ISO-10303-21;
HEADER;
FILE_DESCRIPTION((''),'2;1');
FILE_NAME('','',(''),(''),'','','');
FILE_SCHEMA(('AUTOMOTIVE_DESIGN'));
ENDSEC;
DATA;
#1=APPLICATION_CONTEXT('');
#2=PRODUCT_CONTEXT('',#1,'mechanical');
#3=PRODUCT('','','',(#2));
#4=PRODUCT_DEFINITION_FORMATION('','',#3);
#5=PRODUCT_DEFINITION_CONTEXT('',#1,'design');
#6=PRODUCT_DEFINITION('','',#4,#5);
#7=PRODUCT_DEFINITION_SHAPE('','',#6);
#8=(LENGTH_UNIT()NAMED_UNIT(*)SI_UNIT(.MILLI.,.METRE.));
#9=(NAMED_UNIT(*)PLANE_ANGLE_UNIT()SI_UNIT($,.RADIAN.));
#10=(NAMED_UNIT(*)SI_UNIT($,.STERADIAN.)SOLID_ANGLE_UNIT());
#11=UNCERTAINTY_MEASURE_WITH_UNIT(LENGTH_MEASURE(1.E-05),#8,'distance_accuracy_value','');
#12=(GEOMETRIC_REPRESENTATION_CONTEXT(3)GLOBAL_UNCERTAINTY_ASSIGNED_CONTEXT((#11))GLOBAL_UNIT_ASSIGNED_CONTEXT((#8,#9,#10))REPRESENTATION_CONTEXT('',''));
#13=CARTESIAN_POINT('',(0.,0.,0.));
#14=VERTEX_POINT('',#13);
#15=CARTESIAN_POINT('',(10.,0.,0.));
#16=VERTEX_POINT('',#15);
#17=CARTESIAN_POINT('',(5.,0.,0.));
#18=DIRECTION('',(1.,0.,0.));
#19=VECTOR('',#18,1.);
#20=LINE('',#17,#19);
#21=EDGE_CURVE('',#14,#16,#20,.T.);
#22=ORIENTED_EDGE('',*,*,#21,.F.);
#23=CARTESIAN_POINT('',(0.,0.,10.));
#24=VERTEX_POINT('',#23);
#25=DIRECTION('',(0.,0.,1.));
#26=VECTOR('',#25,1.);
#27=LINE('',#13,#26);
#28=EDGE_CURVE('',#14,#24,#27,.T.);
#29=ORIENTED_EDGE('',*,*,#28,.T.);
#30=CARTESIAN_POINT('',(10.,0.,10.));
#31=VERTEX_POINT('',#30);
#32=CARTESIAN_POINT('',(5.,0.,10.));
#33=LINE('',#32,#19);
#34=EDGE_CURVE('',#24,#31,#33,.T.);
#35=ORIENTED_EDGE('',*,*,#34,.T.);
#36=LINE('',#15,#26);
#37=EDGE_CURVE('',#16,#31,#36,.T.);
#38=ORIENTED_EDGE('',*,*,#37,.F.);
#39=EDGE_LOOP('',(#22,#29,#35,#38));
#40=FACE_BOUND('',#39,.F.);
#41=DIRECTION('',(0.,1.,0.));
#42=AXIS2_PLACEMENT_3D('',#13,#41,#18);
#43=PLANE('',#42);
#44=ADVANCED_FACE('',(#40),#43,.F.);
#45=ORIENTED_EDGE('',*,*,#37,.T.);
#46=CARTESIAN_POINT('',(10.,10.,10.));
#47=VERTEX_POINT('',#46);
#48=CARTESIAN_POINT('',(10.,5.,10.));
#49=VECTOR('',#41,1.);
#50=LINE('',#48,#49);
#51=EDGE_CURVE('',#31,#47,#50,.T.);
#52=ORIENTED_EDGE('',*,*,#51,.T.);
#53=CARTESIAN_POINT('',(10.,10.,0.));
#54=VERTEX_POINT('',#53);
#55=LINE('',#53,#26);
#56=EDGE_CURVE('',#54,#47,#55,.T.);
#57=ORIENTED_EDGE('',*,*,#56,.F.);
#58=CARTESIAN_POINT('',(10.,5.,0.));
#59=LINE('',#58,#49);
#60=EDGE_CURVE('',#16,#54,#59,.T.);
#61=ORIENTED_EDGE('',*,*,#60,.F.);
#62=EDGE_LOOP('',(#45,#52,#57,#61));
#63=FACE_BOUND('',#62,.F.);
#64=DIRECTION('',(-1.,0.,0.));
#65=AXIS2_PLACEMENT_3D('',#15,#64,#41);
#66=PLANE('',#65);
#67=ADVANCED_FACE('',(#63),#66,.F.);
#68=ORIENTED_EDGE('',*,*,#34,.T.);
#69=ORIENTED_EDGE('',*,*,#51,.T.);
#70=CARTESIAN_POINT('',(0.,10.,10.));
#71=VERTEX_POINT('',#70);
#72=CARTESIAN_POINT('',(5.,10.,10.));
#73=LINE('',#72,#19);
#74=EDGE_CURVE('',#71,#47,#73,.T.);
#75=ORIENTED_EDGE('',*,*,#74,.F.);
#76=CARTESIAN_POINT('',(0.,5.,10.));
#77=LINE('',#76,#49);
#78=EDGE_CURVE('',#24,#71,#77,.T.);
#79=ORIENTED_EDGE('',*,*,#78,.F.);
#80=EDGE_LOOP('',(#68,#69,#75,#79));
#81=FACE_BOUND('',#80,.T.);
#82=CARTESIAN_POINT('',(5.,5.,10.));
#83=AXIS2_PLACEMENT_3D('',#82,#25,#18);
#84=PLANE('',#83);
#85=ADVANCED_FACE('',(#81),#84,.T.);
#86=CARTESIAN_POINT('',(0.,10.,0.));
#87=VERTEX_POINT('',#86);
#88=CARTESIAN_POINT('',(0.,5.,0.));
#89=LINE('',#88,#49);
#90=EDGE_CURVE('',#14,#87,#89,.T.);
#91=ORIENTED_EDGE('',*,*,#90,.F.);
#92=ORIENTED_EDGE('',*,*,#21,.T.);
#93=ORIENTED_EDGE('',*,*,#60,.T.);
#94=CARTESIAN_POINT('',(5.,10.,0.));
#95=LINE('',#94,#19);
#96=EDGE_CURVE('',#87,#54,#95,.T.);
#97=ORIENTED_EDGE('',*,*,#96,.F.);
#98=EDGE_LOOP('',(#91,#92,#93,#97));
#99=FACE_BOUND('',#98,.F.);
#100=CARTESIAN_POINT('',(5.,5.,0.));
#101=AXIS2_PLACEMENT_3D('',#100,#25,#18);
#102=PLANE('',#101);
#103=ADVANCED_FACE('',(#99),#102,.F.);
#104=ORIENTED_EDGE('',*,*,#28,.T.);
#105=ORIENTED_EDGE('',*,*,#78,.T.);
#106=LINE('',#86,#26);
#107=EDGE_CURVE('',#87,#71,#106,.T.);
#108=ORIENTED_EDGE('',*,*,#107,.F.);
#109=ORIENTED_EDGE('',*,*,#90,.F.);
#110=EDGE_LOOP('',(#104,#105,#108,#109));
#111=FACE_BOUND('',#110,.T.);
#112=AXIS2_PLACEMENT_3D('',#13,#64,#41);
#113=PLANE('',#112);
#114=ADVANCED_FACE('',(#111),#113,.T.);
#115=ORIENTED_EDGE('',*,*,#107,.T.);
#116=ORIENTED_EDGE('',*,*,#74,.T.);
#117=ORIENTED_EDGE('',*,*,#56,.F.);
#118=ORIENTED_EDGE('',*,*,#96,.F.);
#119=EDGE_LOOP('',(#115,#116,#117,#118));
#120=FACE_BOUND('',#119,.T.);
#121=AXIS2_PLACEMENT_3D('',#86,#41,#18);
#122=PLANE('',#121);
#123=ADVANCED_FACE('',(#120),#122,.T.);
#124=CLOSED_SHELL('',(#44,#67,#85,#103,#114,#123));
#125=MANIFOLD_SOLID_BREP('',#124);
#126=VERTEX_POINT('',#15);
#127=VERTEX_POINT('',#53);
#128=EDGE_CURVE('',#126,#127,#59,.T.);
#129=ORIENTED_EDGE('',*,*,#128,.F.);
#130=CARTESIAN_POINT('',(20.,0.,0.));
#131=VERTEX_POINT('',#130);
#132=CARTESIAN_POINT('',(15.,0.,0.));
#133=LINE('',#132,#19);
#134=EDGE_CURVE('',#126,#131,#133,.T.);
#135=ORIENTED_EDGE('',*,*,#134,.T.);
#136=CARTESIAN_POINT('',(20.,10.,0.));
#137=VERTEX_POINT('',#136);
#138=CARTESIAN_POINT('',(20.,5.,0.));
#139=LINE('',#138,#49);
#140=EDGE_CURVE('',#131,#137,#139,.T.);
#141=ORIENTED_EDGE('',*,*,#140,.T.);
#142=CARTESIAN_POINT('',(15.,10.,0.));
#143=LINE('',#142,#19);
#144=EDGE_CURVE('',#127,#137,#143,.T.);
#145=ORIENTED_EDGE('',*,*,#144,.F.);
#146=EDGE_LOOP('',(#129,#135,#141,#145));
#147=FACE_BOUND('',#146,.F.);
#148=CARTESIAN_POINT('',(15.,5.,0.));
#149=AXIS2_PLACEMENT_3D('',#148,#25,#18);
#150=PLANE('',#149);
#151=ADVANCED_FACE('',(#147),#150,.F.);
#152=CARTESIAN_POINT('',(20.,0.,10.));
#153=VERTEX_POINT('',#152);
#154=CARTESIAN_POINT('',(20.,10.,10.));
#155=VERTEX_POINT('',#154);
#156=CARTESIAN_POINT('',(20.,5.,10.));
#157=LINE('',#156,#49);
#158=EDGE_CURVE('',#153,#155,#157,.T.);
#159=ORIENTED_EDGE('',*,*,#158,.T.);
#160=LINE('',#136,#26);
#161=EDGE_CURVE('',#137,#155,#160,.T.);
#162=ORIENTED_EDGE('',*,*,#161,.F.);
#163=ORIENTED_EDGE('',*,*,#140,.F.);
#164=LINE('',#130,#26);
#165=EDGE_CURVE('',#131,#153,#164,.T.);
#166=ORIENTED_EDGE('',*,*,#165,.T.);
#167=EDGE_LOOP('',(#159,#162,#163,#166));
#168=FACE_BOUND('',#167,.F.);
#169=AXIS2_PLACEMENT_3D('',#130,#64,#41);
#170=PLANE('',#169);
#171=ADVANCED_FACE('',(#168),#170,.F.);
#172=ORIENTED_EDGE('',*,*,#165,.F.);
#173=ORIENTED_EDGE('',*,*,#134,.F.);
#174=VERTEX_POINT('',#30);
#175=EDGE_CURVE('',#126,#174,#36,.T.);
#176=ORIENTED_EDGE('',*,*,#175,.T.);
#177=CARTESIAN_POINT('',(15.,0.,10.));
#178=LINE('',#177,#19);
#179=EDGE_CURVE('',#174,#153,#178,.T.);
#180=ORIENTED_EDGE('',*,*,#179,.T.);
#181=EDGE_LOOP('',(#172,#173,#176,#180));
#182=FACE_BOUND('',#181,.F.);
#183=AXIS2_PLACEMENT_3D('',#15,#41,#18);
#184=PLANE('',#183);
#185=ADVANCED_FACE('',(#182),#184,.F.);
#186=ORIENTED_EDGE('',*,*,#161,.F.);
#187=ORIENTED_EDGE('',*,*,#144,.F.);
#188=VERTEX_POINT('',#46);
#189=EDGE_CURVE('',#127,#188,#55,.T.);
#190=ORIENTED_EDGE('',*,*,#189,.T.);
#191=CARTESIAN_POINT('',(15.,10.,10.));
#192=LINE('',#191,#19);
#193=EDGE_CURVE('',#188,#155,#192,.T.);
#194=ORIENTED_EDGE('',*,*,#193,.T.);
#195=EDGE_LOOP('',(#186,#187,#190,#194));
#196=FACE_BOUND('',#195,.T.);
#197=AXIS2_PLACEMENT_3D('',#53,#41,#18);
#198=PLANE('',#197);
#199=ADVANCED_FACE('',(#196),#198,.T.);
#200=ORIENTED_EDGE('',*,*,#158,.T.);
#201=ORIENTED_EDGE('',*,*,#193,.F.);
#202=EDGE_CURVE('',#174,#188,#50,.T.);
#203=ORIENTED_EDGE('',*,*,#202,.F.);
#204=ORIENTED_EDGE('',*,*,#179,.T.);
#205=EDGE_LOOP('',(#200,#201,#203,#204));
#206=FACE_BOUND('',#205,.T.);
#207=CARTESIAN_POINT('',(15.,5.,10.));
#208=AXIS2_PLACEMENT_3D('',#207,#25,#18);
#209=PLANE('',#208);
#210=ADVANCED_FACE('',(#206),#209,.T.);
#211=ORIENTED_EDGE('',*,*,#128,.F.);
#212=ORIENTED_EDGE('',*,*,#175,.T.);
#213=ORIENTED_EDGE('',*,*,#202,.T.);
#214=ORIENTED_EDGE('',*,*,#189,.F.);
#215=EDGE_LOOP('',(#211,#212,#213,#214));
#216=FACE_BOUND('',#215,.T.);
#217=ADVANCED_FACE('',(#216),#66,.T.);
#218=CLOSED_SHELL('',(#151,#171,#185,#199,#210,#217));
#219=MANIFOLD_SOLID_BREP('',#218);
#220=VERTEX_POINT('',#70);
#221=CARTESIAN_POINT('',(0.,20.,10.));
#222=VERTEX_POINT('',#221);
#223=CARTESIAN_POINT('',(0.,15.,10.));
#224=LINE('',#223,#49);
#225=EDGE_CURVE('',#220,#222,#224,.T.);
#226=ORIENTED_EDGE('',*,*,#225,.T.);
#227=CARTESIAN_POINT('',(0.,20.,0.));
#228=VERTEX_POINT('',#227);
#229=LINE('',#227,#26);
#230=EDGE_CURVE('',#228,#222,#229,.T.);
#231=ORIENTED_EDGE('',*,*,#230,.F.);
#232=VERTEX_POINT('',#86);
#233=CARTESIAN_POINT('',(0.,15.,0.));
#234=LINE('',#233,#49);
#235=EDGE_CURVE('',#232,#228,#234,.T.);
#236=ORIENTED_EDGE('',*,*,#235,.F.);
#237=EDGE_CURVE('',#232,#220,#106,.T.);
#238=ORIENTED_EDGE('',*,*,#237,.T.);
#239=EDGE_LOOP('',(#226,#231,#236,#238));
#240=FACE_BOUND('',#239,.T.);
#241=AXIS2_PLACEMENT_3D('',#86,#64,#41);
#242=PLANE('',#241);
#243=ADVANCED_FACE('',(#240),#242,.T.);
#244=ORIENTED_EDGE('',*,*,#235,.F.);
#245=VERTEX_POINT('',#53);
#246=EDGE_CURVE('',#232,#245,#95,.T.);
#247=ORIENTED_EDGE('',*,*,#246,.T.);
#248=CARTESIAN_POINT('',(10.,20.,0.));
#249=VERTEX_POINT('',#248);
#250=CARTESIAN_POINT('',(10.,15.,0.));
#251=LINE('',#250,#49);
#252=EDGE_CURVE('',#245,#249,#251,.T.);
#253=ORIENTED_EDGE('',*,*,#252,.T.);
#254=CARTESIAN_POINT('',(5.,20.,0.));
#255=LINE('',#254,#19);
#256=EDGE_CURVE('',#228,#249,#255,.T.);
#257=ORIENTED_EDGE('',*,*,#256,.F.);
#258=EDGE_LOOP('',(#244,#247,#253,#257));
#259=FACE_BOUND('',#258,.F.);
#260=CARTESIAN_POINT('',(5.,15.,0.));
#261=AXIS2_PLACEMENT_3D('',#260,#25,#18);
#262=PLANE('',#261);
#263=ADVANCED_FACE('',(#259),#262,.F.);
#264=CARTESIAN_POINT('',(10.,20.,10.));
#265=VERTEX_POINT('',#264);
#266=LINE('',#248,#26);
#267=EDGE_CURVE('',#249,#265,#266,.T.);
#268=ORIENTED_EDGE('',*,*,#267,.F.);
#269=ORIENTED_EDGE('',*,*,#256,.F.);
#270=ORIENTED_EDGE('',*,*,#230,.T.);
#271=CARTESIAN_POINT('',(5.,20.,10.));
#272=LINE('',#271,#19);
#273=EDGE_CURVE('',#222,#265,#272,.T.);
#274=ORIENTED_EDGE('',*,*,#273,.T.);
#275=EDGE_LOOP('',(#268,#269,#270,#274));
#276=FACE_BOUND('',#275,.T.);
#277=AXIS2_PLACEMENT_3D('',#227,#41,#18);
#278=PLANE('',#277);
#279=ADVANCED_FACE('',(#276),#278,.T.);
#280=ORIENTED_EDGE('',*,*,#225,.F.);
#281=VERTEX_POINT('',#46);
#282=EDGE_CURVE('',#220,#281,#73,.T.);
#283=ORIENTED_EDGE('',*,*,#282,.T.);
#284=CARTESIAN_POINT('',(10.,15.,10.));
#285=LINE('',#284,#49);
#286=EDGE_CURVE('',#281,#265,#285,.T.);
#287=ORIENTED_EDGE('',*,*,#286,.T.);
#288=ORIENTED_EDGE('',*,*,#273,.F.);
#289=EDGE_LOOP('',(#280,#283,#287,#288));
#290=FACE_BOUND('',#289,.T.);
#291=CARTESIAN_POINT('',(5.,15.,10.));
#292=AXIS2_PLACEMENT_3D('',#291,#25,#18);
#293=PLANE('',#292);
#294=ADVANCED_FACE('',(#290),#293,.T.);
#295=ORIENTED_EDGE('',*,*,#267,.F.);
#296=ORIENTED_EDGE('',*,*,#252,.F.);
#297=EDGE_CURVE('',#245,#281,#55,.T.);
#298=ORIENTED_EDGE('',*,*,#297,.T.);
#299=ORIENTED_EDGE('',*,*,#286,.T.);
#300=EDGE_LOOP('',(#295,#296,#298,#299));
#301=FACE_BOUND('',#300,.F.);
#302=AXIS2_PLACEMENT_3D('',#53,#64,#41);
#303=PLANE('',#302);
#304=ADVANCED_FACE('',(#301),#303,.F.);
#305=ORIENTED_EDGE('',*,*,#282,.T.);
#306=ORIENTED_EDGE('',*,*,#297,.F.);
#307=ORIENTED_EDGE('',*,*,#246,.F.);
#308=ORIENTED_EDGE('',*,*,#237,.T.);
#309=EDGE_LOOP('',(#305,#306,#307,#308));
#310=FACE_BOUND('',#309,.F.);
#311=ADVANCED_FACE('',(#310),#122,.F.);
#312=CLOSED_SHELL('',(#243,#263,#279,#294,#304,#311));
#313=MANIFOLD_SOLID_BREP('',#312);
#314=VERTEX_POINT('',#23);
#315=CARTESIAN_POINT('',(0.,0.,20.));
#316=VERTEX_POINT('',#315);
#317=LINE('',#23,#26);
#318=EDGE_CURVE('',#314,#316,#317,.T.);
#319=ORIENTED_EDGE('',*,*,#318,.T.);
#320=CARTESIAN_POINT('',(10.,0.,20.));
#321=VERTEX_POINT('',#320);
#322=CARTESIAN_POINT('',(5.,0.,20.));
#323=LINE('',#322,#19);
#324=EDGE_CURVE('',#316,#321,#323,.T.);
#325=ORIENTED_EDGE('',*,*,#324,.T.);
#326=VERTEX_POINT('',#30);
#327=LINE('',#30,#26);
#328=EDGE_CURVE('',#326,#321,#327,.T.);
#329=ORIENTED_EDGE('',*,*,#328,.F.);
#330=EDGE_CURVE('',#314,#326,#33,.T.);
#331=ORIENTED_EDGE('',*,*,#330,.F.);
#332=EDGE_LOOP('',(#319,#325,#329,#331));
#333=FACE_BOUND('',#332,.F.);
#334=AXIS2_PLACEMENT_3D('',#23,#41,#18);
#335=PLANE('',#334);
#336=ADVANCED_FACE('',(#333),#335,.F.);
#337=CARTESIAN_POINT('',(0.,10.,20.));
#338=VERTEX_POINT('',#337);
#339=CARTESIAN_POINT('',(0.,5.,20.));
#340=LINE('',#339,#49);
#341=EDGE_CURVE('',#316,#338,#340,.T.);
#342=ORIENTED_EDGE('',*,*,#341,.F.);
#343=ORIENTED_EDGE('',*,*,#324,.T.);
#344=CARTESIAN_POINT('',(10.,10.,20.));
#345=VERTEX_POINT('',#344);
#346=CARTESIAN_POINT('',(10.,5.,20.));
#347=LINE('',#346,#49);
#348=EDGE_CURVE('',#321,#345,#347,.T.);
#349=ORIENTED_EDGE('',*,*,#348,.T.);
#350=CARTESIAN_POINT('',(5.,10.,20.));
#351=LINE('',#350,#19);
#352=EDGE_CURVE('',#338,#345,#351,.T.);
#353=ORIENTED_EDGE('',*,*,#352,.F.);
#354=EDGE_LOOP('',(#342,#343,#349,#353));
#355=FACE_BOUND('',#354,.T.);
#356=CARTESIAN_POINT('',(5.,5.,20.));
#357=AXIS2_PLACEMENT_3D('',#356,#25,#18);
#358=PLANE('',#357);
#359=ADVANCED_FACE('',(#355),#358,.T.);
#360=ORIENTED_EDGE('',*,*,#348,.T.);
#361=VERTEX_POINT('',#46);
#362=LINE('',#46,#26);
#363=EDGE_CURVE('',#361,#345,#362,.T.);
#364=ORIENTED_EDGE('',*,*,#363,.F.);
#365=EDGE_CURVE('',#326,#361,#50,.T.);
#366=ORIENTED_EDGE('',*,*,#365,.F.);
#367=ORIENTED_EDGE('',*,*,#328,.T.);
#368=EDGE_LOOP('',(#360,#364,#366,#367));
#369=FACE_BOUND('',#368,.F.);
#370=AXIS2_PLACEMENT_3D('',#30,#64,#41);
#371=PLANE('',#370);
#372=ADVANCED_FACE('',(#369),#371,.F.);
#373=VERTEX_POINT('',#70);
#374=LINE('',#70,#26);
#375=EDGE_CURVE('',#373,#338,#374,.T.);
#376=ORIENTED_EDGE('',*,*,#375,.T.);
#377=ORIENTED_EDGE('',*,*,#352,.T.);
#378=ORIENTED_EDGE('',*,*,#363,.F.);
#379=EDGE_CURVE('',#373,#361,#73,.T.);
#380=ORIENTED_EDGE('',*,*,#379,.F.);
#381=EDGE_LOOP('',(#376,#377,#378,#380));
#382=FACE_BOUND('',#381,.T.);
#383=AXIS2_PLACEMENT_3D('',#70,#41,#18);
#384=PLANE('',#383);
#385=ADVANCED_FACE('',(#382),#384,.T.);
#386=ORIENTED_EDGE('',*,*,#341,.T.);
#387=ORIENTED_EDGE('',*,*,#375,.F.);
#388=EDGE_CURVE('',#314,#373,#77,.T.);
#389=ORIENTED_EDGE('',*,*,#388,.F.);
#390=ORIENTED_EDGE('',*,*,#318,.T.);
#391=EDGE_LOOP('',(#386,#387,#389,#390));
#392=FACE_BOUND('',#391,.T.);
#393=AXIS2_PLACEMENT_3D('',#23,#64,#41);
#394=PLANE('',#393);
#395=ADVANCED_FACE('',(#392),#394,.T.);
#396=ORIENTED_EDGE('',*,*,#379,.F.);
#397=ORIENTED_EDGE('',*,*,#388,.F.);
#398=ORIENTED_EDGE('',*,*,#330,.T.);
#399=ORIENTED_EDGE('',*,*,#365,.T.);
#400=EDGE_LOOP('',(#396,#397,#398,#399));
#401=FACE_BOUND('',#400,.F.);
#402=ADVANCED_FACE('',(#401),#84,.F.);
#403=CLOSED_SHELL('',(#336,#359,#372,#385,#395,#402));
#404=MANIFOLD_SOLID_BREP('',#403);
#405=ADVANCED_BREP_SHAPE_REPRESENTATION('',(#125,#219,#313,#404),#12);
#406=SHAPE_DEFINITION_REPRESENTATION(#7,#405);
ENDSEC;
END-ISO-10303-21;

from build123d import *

# Parameters (mm, degrees)
BOX_W        = 10
BOX_H        = 10
BOX_DEPTH    = 10
BOX001_W     = 10
BOX001_H     = 10
BOX001_DEPTH = 10
BOX002_W     = 10
BOX002_H     = 10
BOX002_DEPTH = 10
BOX003_W     = 10
BOX003_H     = 10
BOX003_DEPTH = 10


with BuildPart() as nivell1_cub1:
    # Box → Box (new body)
    with BuildSketch(Plane.XY):
        with Locations((5, 5)):
            Rectangle(BOX_W, BOX_H)
    extrude(amount=BOX_DEPTH)


with BuildPart() as nivell2_cub1:
    # Box001 → Box001 (new body)
    with BuildSketch(Plane(origin=(0, 10, 0), x_dir=(1, 0, 0), z_dir=(0, 0, 1))):
        with Locations((5, 5)):
            Rectangle(BOX001_W, BOX001_H)
    extrude(amount=BOX001_DEPTH)


with BuildPart() as nivell2_cub2:
    # Box002 → Box002 (new body)
    with BuildSketch(Plane(origin=(10, 0, 0), x_dir=(1, 0, 0), z_dir=(0, 0, 1))):
        with Locations((5, 5)):
            Rectangle(BOX002_W, BOX002_H)
    extrude(amount=BOX002_DEPTH)


with BuildPart() as nivell1_cub2:
    # Box003 → Box003 (new body)
    with BuildSketch(Plane.XY.offset(10)):
        with Locations((5, 5)):
            Rectangle(BOX003_W, BOX003_H)
    extrude(amount=BOX003_DEPTH)


solid = Compound([nivell1_cub1.part, nivell2_cub1.part, nivell2_cub2.part, nivell1_cub2.part])
